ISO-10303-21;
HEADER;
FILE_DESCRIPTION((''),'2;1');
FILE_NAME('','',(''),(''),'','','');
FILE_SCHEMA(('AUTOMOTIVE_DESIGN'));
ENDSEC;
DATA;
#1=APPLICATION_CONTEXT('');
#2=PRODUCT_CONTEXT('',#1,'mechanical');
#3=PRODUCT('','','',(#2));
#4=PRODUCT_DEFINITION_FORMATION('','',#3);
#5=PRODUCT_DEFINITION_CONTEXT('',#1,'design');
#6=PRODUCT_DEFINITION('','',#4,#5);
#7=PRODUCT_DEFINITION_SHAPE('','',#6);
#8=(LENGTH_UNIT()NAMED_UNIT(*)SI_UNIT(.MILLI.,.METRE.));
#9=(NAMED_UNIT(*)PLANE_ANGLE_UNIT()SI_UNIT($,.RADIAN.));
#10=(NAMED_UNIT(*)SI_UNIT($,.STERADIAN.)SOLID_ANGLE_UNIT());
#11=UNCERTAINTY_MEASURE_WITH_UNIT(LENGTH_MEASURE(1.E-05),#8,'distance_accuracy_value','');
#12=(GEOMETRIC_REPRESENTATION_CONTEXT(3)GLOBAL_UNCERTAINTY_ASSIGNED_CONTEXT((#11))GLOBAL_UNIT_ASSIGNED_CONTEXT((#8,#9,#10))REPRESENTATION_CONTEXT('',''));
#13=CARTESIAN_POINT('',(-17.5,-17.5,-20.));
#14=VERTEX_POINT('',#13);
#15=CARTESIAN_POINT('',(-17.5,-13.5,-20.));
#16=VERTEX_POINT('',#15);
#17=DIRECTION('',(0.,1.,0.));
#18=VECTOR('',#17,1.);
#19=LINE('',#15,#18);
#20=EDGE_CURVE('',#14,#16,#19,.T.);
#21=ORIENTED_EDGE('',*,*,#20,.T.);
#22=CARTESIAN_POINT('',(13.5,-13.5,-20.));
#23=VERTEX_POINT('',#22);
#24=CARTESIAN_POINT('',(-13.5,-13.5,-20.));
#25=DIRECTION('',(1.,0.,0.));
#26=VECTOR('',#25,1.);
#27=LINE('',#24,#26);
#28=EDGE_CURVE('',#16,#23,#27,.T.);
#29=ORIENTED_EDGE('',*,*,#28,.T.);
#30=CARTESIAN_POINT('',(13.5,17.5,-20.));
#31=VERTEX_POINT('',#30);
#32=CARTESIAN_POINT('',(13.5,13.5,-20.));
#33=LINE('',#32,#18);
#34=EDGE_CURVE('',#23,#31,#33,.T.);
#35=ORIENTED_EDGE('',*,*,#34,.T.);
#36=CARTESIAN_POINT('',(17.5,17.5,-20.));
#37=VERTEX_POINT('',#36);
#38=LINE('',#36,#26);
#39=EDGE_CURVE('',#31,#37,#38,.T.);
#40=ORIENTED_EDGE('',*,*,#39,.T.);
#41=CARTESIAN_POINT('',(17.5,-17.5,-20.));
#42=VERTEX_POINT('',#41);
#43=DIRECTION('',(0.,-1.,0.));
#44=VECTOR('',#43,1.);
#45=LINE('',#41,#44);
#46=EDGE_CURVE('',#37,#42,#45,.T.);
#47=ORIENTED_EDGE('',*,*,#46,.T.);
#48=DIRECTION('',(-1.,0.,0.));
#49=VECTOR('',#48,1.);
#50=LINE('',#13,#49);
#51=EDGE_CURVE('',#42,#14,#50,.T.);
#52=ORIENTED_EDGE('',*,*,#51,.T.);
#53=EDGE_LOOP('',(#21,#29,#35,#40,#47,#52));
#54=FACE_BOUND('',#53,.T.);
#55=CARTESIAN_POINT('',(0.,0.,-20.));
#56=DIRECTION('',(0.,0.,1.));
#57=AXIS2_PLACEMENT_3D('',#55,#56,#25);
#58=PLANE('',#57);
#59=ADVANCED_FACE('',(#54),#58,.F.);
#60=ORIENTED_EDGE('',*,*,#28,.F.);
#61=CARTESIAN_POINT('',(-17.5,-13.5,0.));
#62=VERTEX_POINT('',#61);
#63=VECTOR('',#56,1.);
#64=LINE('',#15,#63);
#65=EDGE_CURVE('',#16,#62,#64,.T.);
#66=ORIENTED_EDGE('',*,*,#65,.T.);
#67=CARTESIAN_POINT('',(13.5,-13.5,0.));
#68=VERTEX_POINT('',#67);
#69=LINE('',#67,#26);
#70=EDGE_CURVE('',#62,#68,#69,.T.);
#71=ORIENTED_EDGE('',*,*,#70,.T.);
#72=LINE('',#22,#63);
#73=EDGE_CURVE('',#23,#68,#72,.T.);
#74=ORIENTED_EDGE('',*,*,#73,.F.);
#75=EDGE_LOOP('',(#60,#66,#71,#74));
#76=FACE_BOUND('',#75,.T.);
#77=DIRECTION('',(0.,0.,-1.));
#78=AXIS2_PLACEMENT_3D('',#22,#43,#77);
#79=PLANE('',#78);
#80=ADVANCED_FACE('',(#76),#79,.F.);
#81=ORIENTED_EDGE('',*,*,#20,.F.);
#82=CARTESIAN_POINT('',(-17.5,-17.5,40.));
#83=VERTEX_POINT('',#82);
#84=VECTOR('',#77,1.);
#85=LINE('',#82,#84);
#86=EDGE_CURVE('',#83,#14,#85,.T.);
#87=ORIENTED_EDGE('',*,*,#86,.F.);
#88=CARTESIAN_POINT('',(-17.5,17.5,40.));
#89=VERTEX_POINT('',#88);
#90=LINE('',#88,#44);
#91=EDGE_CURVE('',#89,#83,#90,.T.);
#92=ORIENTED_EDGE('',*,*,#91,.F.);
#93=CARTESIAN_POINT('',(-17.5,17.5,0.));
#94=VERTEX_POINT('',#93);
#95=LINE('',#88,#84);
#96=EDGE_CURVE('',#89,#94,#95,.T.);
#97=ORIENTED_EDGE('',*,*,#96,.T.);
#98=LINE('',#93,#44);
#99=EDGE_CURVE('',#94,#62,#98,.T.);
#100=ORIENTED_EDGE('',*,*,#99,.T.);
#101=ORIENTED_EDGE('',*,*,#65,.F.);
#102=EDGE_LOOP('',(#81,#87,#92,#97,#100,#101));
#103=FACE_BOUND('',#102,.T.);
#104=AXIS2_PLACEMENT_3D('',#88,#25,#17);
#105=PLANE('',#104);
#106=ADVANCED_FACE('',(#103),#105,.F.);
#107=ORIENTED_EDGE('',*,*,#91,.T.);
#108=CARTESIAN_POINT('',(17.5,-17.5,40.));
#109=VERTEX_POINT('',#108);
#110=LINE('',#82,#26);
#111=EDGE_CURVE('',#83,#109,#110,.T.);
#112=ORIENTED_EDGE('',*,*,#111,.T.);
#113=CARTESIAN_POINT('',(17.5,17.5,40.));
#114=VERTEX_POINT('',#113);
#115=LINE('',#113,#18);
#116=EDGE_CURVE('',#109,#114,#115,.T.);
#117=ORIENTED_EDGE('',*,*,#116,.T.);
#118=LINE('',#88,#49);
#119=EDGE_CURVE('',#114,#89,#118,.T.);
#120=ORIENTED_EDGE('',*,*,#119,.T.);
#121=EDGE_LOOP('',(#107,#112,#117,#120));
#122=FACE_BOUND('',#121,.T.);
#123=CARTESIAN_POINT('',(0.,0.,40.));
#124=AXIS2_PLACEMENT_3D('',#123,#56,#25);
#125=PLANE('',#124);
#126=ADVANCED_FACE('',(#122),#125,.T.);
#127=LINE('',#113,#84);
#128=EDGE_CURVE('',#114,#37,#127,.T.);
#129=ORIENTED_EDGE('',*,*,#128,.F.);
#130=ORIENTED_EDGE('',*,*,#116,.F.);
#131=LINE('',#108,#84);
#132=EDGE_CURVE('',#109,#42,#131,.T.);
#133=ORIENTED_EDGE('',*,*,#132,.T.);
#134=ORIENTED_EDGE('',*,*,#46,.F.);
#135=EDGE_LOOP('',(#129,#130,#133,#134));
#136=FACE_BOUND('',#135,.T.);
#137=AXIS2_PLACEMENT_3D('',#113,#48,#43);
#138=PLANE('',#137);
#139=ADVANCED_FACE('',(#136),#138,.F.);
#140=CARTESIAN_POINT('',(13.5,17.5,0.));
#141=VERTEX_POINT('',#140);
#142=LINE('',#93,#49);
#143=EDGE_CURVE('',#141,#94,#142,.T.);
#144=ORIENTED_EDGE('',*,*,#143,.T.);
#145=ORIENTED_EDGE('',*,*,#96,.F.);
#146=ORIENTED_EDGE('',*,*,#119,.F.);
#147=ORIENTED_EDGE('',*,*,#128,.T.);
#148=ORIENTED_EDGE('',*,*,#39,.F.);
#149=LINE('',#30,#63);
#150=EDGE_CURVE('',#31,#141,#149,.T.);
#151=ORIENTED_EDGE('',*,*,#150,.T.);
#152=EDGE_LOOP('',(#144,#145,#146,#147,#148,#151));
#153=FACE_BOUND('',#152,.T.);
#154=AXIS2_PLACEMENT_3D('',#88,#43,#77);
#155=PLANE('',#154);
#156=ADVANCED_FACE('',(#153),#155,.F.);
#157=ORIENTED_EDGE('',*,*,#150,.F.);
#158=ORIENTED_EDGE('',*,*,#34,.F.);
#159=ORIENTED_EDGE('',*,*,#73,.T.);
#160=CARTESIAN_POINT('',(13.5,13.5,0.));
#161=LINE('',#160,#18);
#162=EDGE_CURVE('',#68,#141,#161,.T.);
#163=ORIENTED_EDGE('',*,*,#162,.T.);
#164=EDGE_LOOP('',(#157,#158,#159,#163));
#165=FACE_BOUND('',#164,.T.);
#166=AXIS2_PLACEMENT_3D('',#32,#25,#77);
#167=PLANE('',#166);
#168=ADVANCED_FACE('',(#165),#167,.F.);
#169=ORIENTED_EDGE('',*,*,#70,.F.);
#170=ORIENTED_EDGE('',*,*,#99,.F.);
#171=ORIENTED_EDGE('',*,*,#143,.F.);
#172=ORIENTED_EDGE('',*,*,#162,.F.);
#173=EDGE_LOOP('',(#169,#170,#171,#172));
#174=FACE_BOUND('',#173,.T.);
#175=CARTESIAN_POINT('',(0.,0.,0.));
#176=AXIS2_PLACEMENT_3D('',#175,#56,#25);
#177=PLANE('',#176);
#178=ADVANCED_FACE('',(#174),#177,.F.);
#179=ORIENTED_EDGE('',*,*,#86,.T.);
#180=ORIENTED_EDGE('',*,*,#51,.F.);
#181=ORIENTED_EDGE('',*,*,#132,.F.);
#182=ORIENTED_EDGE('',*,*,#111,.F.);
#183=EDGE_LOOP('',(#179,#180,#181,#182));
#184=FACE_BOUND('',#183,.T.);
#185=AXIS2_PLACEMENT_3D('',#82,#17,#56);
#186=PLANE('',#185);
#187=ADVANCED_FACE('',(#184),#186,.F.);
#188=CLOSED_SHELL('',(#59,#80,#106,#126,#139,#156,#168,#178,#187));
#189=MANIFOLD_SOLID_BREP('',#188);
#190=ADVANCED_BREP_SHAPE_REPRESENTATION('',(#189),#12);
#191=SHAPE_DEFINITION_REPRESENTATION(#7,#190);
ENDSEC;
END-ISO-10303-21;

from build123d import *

# Parameters (mm, degrees)
CROQUIS1_W              = 35
CROQUIS1_H              = 35
SALIENTE_EXTRUIR1_DEPTH = 40
SALIENTE_EXTRUIR3_DEPTH = 20


with BuildPart() as part:
    # Croquis1 → Saliente-Extruir1 (new body)
    with BuildSketch(Plane.XY):
        Rectangle(CROQUIS1_W, CROQUIS1_H)
    extrude(amount=SALIENTE_EXTRUIR1_DEPTH)

    # Croquis4 → Saliente-Extruir3 (add)
    with BuildSketch(Plane(origin=(0, 0, 0), x_dir=(-1, 0, 0), z_dir=(0, 0, -1))):
        Polygon((-13.5, 13.5), (-13.5, 17.5), (-17.5, 17.5), (-17.5, -17.5), (17.5, -17.5), (17.5, -13.5), (13.5, -13.5), (-13.5, -13.5), align=None)
    extrude(amount=SALIENTE_EXTRUIR3_DEPTH)


solid = part.part
